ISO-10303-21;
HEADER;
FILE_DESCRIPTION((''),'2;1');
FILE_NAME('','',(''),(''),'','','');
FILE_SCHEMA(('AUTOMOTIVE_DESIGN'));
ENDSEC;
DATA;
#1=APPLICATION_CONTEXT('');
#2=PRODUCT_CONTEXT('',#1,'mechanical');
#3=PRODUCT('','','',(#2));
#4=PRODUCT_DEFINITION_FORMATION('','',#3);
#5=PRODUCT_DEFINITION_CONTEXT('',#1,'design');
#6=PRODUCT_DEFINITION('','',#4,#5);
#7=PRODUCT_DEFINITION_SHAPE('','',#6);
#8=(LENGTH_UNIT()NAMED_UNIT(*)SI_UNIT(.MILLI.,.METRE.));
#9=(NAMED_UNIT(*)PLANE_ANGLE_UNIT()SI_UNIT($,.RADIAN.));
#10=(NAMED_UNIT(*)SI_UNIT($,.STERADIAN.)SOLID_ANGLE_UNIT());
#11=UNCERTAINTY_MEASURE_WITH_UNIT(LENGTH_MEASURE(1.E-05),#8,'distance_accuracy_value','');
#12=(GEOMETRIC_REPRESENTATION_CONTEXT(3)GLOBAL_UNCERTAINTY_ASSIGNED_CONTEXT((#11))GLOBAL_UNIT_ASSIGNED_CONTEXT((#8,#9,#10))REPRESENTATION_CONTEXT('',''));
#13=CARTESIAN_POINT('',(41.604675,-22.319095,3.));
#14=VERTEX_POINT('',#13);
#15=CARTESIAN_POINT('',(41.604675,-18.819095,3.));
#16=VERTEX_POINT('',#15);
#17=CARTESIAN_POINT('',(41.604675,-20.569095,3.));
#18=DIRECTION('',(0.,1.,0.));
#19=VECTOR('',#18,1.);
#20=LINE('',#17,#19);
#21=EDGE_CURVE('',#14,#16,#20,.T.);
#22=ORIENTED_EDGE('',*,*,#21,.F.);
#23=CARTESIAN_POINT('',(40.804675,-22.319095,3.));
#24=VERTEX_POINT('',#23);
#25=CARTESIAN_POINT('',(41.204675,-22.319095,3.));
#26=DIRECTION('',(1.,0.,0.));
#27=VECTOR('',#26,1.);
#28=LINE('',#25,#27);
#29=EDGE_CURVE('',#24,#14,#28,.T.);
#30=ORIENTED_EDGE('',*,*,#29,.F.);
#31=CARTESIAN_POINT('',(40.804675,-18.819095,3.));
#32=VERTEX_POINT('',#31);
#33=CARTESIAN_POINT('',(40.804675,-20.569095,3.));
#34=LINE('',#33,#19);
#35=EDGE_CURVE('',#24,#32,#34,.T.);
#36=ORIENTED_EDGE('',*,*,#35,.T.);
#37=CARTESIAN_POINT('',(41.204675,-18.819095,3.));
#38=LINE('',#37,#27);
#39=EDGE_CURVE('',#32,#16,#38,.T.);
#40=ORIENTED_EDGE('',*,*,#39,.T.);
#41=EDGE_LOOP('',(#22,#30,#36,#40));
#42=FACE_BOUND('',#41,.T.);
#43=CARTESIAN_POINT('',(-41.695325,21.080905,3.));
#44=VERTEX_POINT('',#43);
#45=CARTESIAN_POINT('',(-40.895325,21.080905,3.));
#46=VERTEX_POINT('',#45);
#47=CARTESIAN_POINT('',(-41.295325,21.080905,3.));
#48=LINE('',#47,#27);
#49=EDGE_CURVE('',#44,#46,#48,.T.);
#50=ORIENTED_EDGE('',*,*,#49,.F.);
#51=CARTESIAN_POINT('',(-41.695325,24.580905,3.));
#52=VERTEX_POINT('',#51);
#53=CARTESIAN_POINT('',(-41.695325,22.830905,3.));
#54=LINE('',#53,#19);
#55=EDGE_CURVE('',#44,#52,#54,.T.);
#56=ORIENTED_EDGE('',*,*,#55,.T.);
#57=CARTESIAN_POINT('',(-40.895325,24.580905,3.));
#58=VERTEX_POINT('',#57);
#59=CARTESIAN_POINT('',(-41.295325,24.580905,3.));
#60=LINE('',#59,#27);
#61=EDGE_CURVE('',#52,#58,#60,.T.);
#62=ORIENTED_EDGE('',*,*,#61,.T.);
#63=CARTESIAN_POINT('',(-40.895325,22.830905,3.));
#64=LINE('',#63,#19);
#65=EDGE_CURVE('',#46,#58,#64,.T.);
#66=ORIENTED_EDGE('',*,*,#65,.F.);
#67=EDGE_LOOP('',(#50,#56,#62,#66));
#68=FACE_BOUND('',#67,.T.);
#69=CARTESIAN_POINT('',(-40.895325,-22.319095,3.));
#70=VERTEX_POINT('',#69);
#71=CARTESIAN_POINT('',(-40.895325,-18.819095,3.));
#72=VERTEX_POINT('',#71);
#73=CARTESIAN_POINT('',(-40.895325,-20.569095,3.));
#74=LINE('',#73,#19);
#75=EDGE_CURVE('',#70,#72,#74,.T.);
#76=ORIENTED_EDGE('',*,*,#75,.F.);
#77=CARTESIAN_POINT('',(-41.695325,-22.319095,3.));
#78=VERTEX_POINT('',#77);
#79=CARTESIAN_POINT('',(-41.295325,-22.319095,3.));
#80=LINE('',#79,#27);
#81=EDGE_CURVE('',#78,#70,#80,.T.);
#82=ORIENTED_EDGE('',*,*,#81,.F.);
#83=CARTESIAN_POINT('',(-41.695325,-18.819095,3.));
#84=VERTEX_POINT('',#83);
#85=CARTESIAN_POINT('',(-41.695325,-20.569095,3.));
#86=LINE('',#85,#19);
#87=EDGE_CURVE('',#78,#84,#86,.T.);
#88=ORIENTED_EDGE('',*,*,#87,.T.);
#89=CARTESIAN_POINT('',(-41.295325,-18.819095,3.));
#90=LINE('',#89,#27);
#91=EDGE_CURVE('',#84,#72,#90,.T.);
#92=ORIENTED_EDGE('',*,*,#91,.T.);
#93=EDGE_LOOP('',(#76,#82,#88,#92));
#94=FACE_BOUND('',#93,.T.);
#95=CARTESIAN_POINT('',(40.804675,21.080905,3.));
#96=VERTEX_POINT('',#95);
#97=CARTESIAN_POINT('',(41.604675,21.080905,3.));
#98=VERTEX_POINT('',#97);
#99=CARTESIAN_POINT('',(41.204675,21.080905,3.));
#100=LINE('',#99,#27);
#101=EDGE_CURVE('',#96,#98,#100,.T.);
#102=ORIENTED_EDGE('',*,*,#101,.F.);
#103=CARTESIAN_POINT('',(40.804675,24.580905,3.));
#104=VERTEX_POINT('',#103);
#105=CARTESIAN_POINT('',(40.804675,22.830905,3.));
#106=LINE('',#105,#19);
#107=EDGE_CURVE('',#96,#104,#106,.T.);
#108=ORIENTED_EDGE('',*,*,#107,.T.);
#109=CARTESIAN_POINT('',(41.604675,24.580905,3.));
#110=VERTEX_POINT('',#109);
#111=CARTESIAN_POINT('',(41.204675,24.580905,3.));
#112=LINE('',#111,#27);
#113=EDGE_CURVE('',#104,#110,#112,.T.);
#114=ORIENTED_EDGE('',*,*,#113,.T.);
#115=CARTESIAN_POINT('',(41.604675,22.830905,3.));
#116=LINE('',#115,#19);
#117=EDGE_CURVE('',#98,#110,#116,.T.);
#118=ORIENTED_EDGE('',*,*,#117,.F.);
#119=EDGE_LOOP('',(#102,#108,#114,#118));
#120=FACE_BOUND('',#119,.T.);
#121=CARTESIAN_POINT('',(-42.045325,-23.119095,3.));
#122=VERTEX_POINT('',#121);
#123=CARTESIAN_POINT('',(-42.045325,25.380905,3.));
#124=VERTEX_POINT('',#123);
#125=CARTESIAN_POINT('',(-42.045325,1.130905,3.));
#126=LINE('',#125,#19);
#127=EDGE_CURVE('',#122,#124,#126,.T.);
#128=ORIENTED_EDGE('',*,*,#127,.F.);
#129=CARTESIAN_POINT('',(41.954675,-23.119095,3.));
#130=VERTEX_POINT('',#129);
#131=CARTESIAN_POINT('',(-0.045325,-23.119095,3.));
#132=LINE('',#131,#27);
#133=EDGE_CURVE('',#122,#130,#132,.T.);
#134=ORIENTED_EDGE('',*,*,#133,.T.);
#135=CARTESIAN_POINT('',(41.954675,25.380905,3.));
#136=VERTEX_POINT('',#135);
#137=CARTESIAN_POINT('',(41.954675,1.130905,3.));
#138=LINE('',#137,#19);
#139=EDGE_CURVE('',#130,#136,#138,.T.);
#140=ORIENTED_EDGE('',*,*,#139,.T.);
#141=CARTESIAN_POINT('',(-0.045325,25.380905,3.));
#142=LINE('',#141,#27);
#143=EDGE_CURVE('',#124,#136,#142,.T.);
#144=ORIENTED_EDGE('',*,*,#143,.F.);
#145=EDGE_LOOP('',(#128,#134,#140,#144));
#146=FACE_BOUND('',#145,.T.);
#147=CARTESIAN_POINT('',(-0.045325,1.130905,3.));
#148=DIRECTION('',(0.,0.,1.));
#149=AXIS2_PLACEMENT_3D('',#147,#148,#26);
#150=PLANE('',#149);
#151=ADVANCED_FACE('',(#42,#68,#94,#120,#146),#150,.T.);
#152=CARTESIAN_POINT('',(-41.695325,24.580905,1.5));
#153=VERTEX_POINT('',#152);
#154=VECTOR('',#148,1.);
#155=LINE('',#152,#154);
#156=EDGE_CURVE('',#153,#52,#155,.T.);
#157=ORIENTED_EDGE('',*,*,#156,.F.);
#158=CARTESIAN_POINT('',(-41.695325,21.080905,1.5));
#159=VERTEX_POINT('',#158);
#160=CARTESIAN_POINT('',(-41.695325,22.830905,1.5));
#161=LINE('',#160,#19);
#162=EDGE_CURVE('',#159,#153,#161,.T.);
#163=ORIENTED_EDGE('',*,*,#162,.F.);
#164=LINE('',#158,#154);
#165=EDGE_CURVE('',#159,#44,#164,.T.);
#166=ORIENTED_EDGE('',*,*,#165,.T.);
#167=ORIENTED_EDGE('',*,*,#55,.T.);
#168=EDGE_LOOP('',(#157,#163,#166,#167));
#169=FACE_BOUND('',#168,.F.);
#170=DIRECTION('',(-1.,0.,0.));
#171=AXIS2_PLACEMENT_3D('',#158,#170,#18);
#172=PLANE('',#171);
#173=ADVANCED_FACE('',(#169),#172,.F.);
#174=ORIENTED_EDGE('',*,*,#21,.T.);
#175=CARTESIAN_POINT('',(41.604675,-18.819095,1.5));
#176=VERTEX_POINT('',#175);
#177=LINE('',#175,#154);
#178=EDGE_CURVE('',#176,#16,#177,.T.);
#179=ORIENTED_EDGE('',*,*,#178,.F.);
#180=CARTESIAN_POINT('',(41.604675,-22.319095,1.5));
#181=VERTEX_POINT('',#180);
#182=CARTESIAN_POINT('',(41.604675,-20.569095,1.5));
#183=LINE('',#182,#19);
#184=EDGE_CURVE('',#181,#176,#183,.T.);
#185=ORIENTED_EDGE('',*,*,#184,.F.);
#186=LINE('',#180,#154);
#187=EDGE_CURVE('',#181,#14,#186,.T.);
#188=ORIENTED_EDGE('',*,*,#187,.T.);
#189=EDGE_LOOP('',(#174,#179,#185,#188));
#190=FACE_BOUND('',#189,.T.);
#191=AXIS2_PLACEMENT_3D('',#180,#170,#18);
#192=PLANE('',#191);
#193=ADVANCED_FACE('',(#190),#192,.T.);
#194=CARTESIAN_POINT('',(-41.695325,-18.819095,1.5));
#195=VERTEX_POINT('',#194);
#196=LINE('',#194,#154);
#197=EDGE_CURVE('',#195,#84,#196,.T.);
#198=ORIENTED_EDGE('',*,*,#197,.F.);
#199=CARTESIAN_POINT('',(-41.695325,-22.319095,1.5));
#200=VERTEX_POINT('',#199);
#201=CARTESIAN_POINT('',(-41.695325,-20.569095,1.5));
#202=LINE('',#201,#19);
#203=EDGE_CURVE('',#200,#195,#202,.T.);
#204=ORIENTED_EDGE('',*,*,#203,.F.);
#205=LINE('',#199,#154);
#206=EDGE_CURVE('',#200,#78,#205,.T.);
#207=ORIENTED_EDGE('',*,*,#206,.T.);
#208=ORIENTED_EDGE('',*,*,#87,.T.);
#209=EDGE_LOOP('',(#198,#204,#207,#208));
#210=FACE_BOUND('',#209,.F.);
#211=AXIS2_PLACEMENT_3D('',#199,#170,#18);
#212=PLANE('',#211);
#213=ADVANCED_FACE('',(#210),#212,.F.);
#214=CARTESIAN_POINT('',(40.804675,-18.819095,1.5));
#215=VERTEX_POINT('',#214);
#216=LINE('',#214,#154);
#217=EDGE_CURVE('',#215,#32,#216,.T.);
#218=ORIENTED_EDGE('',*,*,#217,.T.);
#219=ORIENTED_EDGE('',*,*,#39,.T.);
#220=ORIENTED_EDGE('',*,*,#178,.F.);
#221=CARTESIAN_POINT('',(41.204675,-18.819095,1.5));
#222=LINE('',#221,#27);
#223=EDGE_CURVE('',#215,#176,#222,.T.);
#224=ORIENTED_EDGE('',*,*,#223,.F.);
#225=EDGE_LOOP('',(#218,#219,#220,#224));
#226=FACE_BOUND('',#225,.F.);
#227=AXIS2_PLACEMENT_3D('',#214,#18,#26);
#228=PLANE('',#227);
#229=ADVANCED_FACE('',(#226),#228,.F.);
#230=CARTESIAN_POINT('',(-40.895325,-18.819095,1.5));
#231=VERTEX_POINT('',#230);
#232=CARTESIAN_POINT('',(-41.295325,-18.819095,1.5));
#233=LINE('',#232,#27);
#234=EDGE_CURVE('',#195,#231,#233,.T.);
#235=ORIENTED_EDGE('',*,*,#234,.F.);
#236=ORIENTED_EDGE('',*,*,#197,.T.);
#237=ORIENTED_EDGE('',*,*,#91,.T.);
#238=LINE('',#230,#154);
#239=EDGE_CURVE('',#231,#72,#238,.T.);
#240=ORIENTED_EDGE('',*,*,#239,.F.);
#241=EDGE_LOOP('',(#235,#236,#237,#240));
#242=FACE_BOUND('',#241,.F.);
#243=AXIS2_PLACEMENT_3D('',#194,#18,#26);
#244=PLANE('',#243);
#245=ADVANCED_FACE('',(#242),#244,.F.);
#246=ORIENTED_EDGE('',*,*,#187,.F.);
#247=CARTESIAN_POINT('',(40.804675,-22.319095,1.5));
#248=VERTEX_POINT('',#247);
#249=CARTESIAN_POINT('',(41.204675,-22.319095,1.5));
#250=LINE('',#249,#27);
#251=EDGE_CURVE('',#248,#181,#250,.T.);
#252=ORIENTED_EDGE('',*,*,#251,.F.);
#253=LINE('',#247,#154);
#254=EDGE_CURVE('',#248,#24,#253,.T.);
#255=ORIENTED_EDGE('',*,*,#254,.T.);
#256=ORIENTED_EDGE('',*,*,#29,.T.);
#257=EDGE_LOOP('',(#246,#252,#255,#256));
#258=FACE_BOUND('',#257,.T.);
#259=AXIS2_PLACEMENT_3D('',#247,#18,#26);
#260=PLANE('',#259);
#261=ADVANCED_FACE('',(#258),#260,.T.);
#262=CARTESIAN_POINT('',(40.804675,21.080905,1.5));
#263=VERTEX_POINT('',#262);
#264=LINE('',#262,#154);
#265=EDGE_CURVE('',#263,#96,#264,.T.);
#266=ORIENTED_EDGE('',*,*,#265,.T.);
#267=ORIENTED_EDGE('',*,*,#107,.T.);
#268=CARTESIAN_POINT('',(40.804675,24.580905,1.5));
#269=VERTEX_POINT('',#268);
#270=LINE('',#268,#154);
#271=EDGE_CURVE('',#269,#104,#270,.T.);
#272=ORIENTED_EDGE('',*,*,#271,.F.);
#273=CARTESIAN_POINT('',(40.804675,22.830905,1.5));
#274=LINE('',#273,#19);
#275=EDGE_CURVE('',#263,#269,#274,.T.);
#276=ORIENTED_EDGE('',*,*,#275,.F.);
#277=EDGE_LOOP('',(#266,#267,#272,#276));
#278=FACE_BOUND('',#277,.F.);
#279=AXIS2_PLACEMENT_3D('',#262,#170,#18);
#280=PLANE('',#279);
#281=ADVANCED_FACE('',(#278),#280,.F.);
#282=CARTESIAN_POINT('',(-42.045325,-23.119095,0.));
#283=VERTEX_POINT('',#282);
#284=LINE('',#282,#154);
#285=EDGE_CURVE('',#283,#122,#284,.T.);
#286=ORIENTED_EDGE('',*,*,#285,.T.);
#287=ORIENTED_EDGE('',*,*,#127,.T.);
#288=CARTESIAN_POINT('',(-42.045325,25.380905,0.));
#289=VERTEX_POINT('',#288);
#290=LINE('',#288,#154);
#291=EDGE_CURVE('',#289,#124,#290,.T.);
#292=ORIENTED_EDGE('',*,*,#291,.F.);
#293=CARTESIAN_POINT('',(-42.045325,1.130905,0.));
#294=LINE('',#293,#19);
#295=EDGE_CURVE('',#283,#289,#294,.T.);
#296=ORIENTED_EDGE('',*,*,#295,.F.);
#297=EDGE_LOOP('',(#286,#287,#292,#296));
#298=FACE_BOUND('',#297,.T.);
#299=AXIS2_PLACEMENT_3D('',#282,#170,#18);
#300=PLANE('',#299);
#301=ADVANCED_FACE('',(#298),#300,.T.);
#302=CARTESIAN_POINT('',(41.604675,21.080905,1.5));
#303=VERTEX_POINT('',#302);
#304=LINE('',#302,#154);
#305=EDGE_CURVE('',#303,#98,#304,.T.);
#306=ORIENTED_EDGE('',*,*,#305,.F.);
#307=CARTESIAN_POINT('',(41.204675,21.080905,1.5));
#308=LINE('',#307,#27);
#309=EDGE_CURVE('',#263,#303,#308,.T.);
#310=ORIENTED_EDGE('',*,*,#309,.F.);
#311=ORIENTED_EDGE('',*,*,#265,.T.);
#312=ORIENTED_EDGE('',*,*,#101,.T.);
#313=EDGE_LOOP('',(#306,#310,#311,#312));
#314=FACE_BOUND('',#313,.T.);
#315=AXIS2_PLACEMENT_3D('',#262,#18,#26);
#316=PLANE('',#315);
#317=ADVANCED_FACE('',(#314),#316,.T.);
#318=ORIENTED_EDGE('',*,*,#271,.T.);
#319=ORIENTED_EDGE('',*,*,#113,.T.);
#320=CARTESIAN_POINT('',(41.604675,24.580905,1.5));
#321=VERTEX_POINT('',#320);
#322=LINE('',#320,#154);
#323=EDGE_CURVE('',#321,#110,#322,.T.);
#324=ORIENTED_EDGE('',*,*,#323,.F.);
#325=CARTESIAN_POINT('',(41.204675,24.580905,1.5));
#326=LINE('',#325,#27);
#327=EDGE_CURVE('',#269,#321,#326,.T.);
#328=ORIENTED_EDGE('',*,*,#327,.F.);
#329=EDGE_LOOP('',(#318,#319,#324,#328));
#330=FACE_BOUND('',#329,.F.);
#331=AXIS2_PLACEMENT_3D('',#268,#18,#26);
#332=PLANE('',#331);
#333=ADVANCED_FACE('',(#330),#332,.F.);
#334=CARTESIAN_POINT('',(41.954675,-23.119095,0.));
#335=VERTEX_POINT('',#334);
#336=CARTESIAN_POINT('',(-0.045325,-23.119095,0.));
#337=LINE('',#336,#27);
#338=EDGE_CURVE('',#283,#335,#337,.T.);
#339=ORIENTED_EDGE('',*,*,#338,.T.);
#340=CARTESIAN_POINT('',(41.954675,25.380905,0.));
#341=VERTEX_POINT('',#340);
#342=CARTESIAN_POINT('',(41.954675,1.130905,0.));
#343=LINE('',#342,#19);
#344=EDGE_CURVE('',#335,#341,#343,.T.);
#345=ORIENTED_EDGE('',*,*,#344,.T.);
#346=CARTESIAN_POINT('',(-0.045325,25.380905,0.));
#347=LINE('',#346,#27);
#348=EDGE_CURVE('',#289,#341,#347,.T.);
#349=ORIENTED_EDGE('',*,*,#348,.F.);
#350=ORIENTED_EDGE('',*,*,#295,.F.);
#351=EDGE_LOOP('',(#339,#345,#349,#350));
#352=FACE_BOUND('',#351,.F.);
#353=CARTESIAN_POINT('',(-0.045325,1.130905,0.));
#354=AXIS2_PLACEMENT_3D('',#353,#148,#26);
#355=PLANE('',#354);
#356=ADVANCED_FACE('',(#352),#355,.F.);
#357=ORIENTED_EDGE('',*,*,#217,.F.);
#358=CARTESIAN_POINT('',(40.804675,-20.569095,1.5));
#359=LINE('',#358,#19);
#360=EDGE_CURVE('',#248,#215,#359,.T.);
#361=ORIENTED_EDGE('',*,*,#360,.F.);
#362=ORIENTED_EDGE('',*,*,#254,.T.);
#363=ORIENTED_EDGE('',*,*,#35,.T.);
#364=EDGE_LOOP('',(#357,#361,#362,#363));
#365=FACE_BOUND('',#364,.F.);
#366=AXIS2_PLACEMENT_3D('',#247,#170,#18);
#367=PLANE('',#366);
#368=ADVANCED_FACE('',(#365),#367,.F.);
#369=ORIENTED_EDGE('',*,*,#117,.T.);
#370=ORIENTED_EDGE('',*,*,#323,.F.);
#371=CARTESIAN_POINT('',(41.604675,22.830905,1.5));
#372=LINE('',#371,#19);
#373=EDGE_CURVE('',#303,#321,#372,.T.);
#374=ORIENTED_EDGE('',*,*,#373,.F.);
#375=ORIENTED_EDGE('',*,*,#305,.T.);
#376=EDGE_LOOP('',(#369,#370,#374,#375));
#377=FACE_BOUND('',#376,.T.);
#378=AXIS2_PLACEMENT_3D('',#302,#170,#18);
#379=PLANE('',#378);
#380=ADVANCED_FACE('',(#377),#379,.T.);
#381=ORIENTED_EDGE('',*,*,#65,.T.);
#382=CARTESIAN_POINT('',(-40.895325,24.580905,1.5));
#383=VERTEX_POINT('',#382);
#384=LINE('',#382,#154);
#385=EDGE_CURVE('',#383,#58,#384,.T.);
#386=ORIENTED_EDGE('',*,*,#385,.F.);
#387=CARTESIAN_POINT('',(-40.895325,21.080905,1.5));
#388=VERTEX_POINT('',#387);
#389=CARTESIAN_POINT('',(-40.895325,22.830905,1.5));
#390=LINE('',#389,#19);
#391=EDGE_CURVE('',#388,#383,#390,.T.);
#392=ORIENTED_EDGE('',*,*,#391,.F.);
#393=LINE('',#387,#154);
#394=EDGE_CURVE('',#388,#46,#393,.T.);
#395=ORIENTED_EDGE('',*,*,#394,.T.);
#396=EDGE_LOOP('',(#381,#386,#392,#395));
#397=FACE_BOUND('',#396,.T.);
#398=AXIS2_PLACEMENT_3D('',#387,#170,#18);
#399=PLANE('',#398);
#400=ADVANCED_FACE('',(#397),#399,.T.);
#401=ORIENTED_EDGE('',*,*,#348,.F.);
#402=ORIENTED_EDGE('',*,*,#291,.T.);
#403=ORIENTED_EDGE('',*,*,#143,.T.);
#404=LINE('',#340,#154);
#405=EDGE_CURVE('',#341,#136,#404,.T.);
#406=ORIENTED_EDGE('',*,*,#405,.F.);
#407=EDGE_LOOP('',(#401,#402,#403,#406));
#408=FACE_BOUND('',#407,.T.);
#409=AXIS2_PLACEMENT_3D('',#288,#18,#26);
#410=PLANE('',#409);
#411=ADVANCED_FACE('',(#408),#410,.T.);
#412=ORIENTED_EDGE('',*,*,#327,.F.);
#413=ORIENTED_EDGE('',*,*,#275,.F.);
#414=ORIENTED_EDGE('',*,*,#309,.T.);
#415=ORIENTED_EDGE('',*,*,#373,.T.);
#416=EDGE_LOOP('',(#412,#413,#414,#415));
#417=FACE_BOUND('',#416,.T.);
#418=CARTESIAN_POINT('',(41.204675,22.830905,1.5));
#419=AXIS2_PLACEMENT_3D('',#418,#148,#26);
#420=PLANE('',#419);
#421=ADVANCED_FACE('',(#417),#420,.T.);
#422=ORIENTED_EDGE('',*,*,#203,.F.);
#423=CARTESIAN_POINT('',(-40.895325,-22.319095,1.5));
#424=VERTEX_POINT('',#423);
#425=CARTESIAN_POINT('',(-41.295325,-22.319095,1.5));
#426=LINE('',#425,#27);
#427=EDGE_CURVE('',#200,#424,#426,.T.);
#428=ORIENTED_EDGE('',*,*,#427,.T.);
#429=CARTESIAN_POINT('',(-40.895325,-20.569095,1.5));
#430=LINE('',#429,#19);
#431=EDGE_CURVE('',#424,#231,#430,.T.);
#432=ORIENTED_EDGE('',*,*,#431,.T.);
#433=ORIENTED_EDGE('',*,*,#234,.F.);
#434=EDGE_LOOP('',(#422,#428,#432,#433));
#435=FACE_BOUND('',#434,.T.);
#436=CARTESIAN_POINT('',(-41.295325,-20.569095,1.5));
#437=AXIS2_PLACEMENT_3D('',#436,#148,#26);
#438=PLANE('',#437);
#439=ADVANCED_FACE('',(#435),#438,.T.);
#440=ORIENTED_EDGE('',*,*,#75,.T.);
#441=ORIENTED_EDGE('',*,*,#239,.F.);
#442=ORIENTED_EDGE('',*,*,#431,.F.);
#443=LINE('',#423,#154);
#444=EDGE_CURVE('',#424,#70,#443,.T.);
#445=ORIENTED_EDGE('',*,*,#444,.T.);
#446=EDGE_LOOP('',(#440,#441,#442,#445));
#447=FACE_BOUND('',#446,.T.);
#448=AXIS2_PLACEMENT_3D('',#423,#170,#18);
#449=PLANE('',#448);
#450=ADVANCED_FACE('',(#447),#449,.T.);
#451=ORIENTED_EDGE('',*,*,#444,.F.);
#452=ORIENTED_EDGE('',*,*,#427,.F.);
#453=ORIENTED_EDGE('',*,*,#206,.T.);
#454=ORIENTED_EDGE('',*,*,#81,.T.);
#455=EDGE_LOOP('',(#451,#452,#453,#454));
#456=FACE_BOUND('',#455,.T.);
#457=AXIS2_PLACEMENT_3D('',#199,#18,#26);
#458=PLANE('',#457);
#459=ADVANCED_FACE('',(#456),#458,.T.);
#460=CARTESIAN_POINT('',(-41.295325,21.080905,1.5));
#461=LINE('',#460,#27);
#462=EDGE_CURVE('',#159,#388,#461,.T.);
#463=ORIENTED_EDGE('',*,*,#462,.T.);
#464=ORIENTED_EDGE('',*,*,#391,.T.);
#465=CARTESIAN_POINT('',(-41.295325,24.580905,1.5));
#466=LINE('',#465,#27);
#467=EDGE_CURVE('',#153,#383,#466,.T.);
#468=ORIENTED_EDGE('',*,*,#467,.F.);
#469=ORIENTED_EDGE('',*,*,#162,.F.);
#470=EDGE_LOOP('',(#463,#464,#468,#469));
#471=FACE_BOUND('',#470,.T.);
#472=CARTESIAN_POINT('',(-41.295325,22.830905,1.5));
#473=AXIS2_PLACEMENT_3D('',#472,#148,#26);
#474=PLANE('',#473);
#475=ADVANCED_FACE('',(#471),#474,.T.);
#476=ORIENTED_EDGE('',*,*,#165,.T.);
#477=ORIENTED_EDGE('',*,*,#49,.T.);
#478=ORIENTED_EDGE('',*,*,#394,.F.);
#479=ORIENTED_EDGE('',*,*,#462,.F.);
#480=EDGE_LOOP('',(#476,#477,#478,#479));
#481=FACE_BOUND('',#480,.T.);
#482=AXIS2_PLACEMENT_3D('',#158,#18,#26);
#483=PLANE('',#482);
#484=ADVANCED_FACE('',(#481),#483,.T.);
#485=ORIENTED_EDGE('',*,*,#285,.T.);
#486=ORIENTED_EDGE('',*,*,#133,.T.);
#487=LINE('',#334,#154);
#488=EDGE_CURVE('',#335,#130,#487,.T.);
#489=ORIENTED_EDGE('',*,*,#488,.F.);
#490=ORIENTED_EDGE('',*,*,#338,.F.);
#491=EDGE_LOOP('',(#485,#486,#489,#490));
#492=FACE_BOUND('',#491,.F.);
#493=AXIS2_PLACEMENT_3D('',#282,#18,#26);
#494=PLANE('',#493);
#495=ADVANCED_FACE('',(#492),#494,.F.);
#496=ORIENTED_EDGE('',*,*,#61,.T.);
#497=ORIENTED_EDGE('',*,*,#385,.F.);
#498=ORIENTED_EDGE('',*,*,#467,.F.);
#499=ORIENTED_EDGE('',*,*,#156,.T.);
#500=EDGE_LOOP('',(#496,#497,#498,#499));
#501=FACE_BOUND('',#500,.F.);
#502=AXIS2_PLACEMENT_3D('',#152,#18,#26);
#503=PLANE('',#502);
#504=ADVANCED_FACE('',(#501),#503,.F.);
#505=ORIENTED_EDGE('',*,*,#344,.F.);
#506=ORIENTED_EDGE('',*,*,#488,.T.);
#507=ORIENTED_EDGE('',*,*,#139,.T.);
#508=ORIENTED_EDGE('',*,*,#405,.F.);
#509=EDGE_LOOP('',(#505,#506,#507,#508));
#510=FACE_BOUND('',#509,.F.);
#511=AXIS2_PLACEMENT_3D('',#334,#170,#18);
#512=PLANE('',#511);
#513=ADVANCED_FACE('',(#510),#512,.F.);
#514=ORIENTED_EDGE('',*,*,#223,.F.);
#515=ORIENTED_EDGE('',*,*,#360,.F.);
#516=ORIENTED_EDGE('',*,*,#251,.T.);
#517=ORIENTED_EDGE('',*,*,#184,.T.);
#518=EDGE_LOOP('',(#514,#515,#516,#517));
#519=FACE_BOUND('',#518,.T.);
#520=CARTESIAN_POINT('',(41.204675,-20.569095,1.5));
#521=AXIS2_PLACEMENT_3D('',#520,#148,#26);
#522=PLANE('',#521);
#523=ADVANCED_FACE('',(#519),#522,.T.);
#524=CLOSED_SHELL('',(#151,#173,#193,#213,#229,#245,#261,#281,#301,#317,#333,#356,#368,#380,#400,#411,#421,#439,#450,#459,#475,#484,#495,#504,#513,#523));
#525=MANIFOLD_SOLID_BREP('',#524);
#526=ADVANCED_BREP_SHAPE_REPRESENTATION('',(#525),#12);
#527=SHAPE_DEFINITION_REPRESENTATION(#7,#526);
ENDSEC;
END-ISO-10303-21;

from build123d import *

# Parameters (mm, degrees)
F0_W     = 84
F0_H     = 48.5
F0_W_2   = 0.8
F0_H_2   = 3.5
F1_DEPTH = 3
F2_START = 1.5
F2_DEPTH = 1.5


with BuildPart() as f1:
    # F0 (on Top) → F1 (new body)
    with BuildSketch(Plane.XY):
        with Locations((-0.0453250408, 1.1309052184)):
            Rectangle(F0_W, F0_H)
        with Locations((-41.2953250408, -20.5690947816)):
            Rectangle(F0_W_2, F0_H_2, mode=Mode.SUBTRACT)
        with Locations((41.2046749592, -20.5690947816)):
            Rectangle(F0_W_2, F0_H_2, mode=Mode.SUBTRACT)
        with Locations((-41.2953250408, 22.8309052184)):
            Rectangle(F0_W_2, F0_H_2, mode=Mode.SUBTRACT)
        with Locations((41.2046749592, 22.8309052184)):
            Rectangle(F0_W_2, F0_H_2, mode=Mode.SUBTRACT)
        with Locations((41.2046749592, -20.5690947816)):
            Rectangle(F0_W_2, F0_H_2)
        with Locations((41.2046749592, 22.8309052184)):
            Rectangle(F0_W_2, F0_H_2)
        with Locations((-41.2953250408, -20.5690947816)):
            Rectangle(F0_W_2, F0_H_2)
        with Locations((-41.2953250408, 22.8309052184)):
            Rectangle(F0_W_2, F0_H_2)
    extrude(amount=F1_DEPTH)

    # F0 (on Top) → F2 (cut)
    with BuildSketch(Plane.XY.offset(F2_START)):
        with Locations((-41.2953250408, -20.5690947816)):
            Rectangle(F0_W_2, F0_H_2)
        with Locations((-41.2953250408, 22.8309052184)):
            Rectangle(F0_W_2, F0_H_2)
        with Locations((41.2046749592, -20.5690947816)):
            Rectangle(F0_W_2, F0_H_2)
        with Locations((41.2046749592, 22.8309052184)):
            Rectangle(F0_W_2, F0_H_2)
    extrude(amount=F2_DEPTH, mode=Mode.SUBTRACT)


solid = f1.part
